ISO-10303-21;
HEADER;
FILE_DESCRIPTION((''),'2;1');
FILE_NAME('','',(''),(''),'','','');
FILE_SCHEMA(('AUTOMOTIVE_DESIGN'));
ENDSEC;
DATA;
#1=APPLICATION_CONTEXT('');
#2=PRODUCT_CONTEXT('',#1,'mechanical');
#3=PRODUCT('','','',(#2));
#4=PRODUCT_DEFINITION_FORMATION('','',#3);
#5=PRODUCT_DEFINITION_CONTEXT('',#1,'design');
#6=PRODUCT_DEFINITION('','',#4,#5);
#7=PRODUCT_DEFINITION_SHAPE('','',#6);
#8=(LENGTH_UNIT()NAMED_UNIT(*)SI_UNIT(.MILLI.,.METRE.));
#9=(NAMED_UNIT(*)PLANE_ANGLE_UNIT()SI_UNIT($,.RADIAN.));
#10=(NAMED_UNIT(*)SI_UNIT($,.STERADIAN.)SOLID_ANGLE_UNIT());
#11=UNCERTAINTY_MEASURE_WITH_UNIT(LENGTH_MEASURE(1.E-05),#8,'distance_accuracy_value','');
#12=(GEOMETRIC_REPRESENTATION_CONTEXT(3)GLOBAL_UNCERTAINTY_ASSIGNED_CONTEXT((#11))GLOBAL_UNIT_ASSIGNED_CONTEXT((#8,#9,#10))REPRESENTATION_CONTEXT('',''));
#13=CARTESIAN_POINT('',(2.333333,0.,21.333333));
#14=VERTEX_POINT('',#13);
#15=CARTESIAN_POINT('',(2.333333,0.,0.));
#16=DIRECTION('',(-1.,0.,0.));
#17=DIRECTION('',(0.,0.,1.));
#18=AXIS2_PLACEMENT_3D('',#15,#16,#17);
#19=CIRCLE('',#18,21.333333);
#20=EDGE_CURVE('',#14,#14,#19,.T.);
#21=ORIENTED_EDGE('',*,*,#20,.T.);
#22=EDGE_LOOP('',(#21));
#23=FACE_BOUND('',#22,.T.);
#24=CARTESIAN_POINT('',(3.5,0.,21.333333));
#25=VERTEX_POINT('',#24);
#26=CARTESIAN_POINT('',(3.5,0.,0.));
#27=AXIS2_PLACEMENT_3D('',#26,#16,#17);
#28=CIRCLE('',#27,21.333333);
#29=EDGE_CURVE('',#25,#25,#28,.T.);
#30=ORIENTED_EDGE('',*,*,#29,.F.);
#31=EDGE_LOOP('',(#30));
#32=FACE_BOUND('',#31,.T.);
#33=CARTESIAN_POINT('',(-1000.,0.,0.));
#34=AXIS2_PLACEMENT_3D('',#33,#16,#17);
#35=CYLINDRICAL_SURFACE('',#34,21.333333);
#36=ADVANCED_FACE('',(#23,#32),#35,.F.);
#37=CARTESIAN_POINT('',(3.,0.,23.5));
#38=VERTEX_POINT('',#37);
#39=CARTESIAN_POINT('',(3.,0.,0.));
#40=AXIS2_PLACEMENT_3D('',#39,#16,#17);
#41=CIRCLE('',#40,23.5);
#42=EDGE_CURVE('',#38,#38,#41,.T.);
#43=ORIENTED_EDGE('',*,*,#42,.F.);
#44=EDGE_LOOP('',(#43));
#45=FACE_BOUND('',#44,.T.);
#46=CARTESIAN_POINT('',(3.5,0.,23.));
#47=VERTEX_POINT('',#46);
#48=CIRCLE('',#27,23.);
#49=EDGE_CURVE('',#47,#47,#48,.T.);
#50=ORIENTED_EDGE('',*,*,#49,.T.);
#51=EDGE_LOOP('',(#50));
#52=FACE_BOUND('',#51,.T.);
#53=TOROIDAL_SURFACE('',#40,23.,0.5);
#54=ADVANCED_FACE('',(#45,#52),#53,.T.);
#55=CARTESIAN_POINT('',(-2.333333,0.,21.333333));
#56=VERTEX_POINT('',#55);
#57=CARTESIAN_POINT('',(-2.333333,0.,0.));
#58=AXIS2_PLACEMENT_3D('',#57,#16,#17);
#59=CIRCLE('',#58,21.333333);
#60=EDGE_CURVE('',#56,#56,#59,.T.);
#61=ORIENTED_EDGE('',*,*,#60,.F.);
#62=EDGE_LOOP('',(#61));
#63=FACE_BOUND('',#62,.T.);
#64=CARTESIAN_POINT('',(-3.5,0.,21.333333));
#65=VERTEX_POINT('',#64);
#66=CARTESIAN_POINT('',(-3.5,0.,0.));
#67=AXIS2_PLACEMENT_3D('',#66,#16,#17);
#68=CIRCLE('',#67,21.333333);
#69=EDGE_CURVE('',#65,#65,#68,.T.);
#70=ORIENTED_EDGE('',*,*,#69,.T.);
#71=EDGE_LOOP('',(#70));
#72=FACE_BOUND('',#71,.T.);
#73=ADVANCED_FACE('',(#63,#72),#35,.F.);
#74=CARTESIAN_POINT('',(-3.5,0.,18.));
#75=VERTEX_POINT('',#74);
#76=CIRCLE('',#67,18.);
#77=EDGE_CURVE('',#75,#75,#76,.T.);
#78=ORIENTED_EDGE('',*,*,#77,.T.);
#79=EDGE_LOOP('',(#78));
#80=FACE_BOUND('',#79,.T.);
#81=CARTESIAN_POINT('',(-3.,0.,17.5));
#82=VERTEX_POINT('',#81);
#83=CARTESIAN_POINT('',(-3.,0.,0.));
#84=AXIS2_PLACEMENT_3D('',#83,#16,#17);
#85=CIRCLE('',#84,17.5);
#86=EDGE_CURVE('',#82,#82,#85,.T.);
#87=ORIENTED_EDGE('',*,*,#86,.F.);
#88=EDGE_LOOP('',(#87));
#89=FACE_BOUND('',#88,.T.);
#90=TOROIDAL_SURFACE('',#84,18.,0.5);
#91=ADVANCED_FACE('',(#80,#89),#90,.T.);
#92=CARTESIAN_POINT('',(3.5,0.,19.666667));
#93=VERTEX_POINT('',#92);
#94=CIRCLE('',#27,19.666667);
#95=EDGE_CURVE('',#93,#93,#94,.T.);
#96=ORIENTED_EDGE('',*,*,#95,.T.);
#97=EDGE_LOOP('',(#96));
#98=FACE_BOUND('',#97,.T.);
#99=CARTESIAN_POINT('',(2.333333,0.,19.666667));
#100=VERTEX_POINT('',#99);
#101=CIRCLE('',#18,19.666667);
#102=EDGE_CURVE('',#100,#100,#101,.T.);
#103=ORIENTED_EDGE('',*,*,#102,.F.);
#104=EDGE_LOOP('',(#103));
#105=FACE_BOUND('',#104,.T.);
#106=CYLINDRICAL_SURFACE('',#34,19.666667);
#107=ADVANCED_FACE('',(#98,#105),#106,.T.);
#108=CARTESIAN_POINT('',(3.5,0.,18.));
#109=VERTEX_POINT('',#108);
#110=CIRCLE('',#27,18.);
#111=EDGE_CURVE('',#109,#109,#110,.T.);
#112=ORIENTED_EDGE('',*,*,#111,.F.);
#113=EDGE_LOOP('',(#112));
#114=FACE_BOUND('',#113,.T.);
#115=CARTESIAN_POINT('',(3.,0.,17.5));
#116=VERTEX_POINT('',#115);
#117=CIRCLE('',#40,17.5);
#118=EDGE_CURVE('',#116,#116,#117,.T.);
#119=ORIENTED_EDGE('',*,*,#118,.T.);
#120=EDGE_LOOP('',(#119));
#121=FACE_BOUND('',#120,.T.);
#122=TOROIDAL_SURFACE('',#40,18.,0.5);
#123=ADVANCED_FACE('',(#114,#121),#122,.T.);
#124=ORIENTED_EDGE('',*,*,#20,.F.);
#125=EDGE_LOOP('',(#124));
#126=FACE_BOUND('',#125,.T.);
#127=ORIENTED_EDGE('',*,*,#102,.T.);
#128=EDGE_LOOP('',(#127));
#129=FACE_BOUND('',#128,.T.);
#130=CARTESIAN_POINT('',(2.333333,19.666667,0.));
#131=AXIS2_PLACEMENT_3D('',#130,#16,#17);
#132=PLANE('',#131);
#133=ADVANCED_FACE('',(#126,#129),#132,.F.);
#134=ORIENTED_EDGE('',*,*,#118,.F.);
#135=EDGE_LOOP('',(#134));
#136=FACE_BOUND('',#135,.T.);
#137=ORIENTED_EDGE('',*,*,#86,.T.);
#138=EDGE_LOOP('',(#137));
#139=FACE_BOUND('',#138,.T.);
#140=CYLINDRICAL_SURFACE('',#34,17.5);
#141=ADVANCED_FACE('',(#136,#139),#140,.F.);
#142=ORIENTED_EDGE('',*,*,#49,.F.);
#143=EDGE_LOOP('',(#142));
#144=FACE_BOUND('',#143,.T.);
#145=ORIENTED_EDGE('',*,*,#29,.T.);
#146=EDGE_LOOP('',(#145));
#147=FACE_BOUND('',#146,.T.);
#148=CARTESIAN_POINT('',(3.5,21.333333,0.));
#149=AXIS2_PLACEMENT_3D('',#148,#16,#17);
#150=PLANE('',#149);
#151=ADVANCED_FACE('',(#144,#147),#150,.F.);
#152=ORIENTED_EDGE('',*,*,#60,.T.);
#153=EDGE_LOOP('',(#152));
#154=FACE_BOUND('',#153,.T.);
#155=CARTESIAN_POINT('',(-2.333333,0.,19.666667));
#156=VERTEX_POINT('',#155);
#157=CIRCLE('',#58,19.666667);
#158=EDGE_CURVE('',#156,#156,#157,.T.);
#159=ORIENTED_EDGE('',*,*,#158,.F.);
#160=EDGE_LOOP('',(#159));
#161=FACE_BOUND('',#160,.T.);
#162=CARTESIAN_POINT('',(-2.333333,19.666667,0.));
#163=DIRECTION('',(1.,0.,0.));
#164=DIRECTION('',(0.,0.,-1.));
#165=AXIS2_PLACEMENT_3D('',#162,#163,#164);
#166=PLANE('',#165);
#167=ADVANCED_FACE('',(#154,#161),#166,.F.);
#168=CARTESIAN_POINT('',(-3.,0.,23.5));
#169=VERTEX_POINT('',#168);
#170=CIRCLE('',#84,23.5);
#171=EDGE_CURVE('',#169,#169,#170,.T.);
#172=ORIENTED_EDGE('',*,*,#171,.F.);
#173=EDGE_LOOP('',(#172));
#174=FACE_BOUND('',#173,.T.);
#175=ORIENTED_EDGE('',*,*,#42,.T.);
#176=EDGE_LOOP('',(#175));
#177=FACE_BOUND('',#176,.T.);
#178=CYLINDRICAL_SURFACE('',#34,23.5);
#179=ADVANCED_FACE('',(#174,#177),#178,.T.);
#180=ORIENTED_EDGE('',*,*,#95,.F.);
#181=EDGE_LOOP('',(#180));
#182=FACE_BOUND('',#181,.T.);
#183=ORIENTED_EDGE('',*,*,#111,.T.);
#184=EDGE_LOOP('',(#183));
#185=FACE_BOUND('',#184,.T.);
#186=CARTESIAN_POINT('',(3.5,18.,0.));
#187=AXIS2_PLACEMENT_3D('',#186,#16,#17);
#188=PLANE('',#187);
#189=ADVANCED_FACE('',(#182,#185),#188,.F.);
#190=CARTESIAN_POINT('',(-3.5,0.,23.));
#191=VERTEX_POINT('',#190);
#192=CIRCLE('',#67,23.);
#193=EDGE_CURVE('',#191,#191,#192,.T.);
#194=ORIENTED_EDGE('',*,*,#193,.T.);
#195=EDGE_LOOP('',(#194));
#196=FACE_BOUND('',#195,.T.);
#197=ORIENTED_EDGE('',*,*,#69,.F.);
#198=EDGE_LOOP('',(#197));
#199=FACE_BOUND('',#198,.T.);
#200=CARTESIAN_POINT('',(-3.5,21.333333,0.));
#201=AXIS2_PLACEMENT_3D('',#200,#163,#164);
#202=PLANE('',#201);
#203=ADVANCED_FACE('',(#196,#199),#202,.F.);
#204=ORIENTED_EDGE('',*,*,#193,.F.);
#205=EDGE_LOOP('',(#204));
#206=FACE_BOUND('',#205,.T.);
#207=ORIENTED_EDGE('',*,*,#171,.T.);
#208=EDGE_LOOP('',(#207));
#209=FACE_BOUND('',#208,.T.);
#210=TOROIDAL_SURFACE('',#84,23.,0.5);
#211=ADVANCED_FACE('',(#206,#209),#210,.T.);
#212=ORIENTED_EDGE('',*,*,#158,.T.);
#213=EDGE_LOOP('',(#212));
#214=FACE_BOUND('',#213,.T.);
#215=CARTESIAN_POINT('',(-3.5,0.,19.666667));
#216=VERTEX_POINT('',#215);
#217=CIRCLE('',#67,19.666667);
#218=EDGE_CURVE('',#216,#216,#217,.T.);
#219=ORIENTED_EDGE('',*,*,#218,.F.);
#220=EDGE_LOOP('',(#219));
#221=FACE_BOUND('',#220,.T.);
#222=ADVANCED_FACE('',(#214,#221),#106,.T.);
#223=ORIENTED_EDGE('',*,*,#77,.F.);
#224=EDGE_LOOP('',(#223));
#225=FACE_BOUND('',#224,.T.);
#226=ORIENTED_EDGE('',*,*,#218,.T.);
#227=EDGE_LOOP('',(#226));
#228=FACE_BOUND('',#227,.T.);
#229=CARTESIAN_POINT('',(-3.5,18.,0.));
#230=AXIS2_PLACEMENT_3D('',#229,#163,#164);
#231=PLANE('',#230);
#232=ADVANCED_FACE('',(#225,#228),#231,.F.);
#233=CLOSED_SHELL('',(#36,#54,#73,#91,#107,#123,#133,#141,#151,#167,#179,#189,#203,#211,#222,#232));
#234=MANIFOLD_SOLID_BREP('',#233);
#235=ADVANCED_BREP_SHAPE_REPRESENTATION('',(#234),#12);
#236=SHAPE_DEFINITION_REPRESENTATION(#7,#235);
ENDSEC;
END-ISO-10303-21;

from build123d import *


with BuildPart() as part:
    # Эскиз1 → Повернуть1 (revolve)
    with BuildSketch(Plane.XY):
        with BuildLine():
            Line((3, 17.5), (-3, 17.5))
            ThreePointArc((-3, 17.5), (-3.353553391, 17.646446609), (-3.5, 18))
            Line((-3.5, 18), (-3.5, 19.666666667))
            Line((-3.5, 19.666666667), (-2.333333333, 19.666666667))
            Line((-2.333333333, 19.666666667), (-2.333333333, 21.333333333))
            Line((-2.333333333, 21.333333333), (-3.5, 21.333333333))
            Line((-3.5, 21.333333333), (-3.5, 23))
            ThreePointArc((-3.5, 23), (-3.353553391, 23.353553391), (-3, 23.5))
            Line((-3, 23.5), (3, 23.5))
            ThreePointArc((3, 23.5), (3.353553391, 23.353553391), (3.5, 23))
            Line((3.5, 23), (3.5, 21.333333333))
            Line((3.5, 21.333333333), (2.333333333, 21.333333333))
            Line((2.333333333, 21.333333333), (2.333333333, 19.666666667))
            Line((2.333333333, 19.666666667), (3.5, 19.666666667))
            Line((3.5, 19.666666667), (3.5, 18))
            ThreePointArc((3.5, 18), (3.353553391, 17.646446609), (3, 17.5))
        make_face()
    revolve(axis=Axis((-1000, 0, 0), (1, 0, 0)))


solid = part.part
